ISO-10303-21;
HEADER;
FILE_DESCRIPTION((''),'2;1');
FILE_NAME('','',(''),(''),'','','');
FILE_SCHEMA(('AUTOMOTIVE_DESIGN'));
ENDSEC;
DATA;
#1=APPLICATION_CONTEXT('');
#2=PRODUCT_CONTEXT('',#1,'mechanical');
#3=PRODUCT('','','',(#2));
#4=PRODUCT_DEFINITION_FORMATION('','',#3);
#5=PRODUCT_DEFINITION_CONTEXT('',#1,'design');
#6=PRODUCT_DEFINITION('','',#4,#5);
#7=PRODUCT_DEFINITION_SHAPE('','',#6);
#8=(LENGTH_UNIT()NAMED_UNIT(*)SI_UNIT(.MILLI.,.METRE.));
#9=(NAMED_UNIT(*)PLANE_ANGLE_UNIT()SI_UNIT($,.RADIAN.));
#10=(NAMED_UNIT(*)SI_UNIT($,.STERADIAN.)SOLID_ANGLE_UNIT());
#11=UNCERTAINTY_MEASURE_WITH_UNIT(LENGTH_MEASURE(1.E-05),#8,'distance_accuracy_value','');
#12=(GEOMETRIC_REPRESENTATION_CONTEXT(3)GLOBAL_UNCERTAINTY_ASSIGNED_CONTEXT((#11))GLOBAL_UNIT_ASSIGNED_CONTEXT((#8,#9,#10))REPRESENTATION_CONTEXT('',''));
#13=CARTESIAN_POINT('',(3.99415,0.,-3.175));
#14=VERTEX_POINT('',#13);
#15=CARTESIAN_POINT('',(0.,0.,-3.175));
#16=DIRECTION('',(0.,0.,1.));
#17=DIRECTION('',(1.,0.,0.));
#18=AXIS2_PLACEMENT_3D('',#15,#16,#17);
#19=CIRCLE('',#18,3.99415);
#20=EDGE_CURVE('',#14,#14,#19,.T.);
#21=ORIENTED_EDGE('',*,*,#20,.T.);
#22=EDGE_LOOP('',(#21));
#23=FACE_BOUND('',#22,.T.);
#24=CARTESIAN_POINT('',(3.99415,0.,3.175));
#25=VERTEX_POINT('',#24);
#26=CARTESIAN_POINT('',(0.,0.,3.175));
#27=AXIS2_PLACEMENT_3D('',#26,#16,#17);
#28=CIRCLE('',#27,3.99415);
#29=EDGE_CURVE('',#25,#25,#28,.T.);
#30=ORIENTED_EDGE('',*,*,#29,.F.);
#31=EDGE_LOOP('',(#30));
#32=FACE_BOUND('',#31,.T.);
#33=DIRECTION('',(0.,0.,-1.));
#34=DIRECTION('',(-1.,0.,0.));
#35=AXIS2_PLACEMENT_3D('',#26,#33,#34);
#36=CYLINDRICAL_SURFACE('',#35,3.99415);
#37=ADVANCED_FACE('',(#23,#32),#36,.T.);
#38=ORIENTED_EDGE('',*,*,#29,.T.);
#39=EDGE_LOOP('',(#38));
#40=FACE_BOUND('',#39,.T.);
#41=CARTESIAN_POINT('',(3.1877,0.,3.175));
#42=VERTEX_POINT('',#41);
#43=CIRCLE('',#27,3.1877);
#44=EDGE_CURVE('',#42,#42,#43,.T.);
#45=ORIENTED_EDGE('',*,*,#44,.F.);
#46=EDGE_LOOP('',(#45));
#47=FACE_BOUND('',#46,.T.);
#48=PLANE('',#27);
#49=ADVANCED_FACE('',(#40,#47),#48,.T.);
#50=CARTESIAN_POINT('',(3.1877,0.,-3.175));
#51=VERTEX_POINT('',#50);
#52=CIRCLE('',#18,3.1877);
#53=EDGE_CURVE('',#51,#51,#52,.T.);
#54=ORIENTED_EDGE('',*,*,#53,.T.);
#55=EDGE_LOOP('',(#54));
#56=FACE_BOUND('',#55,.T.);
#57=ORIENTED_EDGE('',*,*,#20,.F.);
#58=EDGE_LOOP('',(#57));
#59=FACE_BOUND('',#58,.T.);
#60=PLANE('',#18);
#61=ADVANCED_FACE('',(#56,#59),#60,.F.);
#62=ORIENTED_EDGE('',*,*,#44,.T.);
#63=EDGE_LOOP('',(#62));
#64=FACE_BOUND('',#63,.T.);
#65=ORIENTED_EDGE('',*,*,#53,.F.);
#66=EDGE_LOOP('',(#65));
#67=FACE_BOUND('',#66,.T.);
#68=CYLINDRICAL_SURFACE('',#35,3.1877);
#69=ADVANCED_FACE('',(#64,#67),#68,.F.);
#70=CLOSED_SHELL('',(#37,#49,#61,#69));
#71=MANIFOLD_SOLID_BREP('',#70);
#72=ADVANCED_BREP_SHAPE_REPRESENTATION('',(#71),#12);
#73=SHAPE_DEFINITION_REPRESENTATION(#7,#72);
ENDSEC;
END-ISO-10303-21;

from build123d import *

# Parameters (mm, degrees)
SKETCH5_R           = 3.99415
SKETCH5_R_2         = 3.1877
BOSS_EXTRUDE1_DEPTH = 3.175


with BuildPart() as part:
    # Sketch5 → Boss-Extrude1 (new body, symmetric)
    with BuildSketch(Plane.XY):
        Circle(SKETCH5_R)
        Circle(SKETCH5_R_2, mode=Mode.SUBTRACT)
    extrude(amount=BOSS_EXTRUDE1_DEPTH, both=True)


solid = part.part
